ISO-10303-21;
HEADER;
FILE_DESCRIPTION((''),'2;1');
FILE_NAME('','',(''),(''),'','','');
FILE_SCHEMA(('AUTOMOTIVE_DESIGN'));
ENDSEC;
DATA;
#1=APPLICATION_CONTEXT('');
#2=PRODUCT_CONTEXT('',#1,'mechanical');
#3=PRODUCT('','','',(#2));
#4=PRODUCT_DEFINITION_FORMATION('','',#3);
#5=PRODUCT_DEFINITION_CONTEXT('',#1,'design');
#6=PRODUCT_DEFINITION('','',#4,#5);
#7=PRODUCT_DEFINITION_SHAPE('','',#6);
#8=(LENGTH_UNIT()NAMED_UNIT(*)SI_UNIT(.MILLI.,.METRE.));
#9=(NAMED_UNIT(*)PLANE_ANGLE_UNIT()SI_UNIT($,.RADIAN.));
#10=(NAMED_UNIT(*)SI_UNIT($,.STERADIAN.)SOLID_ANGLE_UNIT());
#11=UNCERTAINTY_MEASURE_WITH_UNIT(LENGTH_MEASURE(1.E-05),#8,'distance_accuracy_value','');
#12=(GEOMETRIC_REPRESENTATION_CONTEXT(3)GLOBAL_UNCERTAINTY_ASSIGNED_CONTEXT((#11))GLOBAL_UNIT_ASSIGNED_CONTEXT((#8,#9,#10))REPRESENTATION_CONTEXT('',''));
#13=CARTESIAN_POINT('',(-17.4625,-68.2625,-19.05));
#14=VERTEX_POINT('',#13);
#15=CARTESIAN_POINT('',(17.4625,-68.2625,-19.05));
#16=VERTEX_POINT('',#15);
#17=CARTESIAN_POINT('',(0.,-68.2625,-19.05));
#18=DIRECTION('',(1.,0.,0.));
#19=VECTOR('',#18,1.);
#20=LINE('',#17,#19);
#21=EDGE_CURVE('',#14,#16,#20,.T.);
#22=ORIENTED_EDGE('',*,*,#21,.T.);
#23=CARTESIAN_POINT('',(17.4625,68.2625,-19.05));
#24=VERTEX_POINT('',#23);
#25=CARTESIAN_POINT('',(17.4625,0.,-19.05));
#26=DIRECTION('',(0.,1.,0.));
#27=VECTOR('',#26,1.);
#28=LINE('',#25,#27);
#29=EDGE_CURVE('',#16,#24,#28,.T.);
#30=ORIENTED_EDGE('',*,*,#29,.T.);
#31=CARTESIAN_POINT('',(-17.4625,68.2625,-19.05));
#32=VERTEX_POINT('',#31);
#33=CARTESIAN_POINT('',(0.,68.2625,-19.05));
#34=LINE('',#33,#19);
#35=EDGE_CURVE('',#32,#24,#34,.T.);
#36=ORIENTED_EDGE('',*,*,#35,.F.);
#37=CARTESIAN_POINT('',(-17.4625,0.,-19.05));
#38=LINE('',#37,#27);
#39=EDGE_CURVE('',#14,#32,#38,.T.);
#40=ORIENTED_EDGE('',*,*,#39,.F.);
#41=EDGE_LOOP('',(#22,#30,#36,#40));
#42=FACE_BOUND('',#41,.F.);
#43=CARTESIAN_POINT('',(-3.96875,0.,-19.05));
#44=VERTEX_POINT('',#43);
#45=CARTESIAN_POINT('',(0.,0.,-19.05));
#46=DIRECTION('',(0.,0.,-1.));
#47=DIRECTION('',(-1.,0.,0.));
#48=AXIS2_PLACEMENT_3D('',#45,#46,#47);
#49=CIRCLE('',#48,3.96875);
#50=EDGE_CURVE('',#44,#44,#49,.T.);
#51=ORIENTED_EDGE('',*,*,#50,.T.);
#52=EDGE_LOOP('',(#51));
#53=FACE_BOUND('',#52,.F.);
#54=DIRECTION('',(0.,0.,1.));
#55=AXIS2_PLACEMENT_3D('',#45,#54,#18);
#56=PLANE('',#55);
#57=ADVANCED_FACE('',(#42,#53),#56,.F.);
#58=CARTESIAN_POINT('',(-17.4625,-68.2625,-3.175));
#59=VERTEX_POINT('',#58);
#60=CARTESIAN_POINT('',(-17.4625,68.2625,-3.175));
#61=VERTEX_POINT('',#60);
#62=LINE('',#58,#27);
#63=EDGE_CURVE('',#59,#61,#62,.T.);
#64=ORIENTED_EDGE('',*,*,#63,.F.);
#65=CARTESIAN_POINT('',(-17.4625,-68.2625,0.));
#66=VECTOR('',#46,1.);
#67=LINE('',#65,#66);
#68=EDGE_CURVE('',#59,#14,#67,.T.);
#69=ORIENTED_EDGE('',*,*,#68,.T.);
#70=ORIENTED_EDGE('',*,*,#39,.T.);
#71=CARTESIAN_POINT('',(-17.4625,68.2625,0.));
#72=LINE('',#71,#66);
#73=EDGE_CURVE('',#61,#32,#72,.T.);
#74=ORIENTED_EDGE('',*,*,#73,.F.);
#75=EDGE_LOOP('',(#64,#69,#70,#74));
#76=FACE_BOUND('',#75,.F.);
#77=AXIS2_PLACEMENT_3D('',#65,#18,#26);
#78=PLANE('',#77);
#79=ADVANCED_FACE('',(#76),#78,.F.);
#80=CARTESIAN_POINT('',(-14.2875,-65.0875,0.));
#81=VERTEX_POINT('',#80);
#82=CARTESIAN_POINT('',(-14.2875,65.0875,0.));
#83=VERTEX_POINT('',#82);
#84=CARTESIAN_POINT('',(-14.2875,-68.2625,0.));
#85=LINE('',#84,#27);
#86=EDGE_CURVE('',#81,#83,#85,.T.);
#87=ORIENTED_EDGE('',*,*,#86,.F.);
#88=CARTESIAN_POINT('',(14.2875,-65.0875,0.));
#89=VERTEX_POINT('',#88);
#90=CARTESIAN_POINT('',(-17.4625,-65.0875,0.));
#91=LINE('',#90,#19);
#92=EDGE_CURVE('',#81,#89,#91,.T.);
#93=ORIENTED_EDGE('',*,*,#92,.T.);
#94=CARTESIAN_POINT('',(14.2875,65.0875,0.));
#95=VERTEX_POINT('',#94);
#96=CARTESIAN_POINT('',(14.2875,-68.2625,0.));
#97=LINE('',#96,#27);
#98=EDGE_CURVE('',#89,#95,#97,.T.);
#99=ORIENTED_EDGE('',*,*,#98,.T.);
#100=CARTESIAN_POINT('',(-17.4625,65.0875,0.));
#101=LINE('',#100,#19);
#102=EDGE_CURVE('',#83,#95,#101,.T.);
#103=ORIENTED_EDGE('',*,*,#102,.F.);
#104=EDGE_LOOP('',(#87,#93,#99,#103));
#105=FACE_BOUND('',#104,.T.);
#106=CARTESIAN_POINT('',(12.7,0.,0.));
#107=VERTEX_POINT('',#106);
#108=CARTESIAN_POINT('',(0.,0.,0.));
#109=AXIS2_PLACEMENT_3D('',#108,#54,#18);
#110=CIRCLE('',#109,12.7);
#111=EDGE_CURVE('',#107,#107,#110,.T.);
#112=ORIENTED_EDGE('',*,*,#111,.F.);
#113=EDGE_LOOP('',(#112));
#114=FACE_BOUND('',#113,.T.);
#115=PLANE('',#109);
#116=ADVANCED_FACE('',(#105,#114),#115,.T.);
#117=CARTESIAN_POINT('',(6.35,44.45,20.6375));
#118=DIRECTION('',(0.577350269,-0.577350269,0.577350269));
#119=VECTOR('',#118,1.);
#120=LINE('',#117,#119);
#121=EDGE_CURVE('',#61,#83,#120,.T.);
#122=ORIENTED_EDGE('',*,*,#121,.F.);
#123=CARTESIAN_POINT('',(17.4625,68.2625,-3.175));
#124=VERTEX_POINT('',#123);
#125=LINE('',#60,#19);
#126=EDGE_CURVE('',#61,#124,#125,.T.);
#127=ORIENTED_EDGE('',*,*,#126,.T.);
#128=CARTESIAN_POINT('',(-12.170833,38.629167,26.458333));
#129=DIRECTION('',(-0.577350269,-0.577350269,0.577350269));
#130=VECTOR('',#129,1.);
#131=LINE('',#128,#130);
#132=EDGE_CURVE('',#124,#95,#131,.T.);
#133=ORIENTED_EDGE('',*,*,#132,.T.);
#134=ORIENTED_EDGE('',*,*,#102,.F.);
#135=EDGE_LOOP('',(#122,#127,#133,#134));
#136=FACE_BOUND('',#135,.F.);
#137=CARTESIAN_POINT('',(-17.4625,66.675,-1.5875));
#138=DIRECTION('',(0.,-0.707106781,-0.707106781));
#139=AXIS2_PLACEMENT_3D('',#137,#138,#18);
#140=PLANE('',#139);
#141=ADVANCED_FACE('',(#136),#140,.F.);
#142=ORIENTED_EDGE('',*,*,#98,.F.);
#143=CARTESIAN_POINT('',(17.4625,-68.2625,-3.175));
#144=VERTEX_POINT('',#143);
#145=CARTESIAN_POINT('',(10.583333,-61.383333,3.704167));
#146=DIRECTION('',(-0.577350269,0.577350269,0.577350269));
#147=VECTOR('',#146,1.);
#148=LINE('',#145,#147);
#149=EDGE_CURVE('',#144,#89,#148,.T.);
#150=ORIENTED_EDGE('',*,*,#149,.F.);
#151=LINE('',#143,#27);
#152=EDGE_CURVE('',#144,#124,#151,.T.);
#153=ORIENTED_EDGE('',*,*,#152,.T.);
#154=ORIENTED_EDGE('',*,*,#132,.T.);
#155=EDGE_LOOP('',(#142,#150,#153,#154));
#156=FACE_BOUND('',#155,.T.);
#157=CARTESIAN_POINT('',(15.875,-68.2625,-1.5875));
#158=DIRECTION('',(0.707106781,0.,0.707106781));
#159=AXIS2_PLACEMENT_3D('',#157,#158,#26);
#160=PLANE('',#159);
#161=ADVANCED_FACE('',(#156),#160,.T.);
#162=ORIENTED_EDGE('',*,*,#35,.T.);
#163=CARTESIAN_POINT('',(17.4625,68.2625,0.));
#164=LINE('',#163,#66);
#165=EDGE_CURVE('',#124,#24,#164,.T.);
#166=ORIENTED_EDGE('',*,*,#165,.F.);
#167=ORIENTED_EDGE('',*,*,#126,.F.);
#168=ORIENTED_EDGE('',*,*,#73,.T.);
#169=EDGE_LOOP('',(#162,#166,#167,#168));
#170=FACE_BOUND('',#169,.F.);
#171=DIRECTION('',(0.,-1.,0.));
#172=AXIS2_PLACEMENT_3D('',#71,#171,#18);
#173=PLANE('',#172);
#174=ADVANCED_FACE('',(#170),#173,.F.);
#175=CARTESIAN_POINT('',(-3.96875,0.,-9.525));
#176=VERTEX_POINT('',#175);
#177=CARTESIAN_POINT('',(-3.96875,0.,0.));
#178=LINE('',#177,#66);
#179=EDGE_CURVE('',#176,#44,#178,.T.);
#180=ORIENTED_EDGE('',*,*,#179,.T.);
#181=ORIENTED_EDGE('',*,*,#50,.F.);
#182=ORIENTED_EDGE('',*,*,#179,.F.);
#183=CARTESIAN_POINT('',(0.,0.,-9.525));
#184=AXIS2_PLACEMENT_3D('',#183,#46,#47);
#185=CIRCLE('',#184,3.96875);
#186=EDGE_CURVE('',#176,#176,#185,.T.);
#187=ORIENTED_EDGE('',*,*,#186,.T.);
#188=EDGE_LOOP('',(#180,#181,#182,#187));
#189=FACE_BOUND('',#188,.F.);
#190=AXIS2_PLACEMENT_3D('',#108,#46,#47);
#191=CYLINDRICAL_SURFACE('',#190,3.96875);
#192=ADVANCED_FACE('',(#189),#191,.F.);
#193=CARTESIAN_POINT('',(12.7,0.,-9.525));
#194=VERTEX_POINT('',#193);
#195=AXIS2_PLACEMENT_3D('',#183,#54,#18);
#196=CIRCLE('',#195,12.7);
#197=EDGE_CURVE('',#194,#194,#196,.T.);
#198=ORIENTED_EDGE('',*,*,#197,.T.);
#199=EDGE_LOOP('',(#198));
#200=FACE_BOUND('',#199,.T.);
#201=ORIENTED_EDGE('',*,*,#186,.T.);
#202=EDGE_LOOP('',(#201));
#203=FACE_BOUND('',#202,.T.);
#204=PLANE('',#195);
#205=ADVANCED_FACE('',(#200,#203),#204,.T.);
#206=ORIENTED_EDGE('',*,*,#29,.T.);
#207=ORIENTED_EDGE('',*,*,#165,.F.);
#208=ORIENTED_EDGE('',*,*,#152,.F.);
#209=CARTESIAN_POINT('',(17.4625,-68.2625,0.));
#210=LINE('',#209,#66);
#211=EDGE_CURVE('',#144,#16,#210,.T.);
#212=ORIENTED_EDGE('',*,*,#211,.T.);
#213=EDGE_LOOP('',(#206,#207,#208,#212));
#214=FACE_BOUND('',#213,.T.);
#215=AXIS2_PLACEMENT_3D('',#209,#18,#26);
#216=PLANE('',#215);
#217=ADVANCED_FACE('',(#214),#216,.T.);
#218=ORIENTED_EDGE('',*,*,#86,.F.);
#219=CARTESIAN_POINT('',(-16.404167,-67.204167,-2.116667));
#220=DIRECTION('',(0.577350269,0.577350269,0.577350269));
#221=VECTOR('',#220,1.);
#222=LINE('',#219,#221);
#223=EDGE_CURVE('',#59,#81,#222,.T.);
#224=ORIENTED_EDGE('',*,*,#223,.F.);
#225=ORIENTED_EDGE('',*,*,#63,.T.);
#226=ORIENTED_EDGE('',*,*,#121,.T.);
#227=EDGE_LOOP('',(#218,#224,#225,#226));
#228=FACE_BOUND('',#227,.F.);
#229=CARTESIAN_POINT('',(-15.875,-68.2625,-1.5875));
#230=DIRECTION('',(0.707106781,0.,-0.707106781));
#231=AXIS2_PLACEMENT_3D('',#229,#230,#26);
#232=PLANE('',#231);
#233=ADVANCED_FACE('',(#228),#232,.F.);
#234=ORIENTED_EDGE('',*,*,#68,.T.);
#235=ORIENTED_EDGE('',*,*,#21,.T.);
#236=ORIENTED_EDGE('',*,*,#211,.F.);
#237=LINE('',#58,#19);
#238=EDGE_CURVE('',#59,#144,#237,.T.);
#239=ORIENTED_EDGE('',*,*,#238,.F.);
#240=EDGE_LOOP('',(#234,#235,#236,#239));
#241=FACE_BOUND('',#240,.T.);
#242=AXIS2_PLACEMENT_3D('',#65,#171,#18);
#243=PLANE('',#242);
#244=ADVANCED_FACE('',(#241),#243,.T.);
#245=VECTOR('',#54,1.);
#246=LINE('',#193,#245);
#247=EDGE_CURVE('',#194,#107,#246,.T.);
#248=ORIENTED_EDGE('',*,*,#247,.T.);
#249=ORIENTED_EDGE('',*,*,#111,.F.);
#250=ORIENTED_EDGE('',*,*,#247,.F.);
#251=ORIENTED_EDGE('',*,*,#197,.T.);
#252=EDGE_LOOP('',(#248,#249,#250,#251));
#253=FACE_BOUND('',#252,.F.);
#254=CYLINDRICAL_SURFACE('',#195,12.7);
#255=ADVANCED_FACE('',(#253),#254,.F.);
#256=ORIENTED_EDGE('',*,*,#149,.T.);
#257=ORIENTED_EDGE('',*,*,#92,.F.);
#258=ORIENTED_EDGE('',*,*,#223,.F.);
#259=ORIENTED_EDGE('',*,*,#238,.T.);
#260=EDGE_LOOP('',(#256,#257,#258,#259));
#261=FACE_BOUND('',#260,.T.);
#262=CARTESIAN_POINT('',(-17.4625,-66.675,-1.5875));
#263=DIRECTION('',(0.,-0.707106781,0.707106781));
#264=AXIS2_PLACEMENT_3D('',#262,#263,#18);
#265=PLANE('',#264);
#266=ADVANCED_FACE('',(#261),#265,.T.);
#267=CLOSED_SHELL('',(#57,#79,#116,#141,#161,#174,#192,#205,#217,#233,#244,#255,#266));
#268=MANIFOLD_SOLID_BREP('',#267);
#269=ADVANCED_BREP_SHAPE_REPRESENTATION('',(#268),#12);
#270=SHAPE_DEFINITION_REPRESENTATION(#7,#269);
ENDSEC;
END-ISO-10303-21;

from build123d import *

# Parameters (mm, degrees)
F0_W           = 34.925
F0_H           = 136.525
F1_DEPTH       = 19.05
F2_SIZE2       = 3.175
F2_SIZE        = 3.175
F4_D           = 7.9375
F4_CBORE_D     = 25.4
F4_CBORE_DEPTH = 9.525


with BuildPart() as f1:
    # F0 (on Top) → F1 (new body)
    with BuildSketch(Plane.XY):
        Rectangle(F0_W, F0_H)
    extrude(amount=-F1_DEPTH)

    # F2
    f2_edges = [f1.edges().sort_by_distance(p)[0] for p in [
        (0, 68.2625, 0),
        (-17.4625, 0, 0),
        (0, -68.2625, 0),
        (17.4625, 0, 0),
    ]]
    chamfer(f2_edges, length=F2_SIZE, length2=F2_SIZE2)

    # F4 (through all)
    with Locations(Plane.XY):
        with Locations((0, 0)):
            CounterBoreHole(F4_D / 2, F4_CBORE_D / 2, F4_CBORE_DEPTH)


solid = f1.part
